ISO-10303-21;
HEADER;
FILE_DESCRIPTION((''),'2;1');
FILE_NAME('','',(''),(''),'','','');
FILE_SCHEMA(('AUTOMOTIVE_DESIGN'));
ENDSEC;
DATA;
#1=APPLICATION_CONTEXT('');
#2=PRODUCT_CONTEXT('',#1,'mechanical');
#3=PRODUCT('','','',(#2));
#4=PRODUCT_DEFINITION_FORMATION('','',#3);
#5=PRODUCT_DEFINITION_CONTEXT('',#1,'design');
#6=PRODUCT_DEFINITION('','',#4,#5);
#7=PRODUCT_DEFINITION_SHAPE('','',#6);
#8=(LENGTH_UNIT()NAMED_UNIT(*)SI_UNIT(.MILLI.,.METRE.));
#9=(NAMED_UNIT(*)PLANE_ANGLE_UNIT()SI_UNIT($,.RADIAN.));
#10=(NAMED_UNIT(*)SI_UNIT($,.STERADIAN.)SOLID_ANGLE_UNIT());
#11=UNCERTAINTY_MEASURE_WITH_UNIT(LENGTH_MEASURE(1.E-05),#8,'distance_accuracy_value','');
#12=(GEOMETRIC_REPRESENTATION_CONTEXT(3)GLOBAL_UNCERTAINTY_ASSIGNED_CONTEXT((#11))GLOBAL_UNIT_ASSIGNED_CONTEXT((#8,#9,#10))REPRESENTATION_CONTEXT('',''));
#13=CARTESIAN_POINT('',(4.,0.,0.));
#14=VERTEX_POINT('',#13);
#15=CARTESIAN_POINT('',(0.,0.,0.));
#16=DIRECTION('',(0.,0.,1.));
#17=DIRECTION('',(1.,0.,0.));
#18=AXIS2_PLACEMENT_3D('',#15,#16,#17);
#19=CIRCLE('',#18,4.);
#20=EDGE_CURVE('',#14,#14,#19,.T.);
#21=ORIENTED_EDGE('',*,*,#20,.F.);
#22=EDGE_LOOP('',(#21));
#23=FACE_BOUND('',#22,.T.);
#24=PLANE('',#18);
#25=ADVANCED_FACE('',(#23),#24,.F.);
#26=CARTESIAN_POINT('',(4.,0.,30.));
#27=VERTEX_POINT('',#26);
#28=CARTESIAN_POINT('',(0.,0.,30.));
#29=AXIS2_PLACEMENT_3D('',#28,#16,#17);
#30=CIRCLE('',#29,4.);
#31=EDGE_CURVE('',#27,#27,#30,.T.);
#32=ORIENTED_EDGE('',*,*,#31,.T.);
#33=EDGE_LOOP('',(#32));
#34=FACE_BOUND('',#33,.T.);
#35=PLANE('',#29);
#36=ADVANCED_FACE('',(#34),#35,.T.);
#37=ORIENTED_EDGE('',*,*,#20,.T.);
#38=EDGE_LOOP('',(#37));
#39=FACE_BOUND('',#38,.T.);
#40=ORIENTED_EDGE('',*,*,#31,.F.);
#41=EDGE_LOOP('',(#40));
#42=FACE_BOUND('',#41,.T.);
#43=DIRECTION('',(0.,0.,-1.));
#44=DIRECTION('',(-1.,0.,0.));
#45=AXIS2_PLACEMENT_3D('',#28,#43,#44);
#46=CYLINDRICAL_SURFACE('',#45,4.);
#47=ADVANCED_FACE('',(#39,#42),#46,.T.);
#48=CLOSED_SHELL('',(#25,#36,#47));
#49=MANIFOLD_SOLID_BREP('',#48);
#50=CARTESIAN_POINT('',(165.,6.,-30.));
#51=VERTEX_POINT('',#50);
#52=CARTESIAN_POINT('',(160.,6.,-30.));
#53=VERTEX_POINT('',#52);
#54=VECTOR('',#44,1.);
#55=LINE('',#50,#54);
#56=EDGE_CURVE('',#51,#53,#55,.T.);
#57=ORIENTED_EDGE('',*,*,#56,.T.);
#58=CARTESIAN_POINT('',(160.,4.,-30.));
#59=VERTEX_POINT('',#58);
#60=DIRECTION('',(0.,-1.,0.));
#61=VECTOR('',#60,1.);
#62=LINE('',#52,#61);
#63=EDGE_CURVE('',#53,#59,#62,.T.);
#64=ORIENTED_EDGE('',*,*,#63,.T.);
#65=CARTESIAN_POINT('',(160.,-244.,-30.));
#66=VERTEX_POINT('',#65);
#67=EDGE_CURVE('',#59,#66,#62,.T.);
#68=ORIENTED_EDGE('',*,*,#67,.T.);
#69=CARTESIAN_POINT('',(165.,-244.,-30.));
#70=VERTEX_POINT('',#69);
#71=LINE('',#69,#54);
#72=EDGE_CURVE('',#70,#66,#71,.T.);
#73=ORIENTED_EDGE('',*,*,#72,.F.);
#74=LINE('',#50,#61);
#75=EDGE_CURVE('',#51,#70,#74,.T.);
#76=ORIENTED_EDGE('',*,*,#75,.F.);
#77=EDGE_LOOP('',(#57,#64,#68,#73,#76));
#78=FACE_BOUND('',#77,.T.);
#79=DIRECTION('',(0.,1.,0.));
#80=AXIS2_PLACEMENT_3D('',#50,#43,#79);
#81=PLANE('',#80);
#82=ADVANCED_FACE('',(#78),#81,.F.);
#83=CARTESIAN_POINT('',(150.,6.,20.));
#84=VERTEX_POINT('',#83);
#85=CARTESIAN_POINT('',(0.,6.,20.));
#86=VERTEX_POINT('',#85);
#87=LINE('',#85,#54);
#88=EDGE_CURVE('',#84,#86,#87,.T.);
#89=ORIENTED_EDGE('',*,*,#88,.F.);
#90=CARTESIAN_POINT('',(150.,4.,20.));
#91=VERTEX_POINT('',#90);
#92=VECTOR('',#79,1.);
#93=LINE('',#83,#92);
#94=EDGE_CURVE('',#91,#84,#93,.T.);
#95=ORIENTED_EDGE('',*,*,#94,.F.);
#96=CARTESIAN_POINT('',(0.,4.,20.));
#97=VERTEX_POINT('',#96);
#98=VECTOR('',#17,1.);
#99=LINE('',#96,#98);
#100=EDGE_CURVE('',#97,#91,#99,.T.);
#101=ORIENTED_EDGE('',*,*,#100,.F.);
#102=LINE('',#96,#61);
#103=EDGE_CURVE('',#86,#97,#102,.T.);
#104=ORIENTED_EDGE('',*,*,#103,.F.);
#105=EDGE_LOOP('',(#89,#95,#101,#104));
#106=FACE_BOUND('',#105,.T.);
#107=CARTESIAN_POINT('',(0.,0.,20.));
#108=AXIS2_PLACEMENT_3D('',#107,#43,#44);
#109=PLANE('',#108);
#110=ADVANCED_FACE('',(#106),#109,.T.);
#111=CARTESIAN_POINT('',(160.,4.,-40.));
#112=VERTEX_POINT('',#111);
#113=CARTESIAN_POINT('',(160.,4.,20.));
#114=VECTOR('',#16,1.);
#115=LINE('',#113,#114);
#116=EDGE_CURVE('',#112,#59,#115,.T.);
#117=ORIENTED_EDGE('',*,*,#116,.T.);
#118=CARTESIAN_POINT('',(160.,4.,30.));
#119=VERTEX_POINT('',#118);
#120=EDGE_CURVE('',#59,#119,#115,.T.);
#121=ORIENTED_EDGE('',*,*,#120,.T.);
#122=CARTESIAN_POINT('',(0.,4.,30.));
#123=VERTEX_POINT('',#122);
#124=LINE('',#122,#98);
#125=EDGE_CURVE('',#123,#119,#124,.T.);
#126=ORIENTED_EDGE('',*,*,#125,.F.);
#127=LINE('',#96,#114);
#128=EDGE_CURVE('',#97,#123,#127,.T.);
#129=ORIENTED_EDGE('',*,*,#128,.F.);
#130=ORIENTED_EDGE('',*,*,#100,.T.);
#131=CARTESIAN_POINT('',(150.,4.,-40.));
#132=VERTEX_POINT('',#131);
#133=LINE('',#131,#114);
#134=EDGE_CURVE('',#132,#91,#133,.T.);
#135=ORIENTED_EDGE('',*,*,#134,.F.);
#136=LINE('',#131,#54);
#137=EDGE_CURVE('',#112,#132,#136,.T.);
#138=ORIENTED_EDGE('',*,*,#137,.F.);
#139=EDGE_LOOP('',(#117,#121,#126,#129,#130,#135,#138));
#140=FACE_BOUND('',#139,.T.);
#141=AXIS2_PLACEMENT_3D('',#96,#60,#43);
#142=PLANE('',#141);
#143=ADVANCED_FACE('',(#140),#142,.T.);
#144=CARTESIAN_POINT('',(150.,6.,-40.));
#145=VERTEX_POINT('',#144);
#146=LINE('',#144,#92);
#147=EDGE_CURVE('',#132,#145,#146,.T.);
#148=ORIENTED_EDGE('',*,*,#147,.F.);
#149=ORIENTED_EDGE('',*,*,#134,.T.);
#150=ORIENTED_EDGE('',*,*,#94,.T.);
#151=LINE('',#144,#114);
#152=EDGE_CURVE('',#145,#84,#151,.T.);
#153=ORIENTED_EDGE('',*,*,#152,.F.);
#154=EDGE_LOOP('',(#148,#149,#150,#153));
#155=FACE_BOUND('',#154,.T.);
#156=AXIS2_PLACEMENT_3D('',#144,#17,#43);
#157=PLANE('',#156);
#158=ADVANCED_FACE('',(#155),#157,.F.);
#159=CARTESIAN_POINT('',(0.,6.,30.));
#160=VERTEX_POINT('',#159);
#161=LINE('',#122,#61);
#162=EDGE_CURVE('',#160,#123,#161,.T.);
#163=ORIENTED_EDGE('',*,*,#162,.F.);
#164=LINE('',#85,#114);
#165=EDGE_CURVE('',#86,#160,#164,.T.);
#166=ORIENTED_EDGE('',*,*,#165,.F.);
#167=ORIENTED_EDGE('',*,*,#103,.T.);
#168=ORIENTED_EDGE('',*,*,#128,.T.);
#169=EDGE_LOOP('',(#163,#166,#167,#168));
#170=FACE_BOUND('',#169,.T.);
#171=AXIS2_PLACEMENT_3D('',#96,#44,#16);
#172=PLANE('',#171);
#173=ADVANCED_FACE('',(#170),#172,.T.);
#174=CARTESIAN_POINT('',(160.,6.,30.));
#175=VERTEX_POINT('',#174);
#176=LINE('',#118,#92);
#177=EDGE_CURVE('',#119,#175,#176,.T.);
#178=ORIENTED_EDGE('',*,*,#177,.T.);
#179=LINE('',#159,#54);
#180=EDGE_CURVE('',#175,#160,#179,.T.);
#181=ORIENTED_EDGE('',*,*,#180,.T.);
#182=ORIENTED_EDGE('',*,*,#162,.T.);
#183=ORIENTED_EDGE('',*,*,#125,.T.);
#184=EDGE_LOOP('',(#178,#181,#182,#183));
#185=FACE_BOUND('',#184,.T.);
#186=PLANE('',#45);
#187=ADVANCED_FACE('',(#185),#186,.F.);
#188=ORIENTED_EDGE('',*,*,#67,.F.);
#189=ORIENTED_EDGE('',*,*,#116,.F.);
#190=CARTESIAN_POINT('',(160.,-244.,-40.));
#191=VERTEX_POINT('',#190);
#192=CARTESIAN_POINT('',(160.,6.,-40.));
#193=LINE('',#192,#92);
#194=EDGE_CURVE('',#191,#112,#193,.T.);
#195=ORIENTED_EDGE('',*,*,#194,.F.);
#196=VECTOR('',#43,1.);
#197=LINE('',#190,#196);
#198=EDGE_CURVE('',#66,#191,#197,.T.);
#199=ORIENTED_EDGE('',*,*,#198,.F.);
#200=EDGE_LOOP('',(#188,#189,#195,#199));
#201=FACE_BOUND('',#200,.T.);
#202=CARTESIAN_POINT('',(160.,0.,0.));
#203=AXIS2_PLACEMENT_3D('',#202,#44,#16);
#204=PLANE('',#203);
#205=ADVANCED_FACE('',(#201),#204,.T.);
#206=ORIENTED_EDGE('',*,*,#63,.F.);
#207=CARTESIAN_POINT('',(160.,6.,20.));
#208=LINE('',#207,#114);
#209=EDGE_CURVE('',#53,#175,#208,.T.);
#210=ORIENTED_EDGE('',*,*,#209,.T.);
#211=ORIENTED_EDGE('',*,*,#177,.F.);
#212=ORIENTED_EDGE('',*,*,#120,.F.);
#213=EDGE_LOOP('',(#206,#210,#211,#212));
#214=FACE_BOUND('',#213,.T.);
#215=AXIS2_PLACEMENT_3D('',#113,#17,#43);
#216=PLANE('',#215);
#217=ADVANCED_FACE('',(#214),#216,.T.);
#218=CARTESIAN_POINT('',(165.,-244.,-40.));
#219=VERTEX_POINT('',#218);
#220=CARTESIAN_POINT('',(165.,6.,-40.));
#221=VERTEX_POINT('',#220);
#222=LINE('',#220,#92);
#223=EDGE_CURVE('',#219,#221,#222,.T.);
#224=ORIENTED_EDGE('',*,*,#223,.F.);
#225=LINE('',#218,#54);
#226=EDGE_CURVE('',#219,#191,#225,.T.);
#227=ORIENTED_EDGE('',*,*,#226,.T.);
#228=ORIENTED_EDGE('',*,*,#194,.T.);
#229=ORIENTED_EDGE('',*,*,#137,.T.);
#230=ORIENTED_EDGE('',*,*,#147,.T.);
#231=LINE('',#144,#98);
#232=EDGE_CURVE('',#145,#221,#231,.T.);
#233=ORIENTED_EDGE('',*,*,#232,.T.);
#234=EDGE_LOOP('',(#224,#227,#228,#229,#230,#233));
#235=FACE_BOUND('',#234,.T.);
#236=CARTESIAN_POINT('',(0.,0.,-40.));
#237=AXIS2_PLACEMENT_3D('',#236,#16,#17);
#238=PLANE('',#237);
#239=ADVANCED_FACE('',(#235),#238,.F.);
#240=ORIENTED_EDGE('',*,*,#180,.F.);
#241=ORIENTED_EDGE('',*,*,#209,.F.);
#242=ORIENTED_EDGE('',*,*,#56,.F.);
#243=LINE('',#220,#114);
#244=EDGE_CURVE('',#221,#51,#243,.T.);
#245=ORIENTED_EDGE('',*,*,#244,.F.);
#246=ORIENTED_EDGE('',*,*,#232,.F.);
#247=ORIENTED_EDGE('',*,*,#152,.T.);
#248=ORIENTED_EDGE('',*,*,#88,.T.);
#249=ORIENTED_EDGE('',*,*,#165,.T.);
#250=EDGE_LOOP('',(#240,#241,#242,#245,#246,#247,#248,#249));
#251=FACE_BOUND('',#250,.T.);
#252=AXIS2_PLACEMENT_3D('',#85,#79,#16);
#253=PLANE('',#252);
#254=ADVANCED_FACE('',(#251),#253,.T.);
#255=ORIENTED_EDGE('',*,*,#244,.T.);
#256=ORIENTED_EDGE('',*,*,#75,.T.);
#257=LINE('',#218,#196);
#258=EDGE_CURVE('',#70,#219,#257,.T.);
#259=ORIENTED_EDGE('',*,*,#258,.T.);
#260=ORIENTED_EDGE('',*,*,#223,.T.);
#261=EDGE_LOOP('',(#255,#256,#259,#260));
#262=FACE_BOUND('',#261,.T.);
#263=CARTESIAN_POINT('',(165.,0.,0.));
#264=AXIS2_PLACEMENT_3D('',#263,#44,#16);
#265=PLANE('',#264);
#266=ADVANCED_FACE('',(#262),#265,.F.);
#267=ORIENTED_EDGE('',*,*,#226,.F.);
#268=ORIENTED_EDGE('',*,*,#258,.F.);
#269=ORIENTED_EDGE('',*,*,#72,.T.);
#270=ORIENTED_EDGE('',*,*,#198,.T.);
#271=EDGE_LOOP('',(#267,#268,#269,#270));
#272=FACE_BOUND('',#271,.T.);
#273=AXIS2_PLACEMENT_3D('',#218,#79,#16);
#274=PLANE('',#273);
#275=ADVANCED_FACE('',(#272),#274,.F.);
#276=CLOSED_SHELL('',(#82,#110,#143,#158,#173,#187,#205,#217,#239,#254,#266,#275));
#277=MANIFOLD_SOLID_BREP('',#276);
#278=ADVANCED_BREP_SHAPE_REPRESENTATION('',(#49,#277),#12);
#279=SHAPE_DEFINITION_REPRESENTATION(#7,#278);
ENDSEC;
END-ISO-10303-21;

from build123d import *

# Parameters (mm, degrees)
SKETCH1_R           = 4
BOSS_EXTRUDE1_DEPTH = 30
SKETCH2_W           = 160
SKETCH2_H           = 2
BOSS_EXTRUDE2_DEPTH = 10
SKETCH3_W           = 10
SKETCH3_H           = 2
BOSS_EXTRUDE3_DEPTH = 60
SKETCH5_W           = 10
SKETCH5_H           = 250
BOSS_EXTRUDE5_DEPTH = 5


with BuildPart() as part:
    # Sketch1 → Boss-Extrude1 (new body)
    with BuildSketch(Plane.XY):
        Circle(SKETCH1_R)
    extrude(amount=BOSS_EXTRUDE1_DEPTH)


with BuildPart() as body_2:
    # Sketch2 → Boss-Extrude2 (new body)
    with BuildSketch(Plane.XY.offset(30)):
        with Locations((80, 5)):
            Rectangle(SKETCH2_W, SKETCH2_H)
    extrude(amount=-BOSS_EXTRUDE2_DEPTH)

    # Sketch3 → Boss-Extrude3 (add)
    with BuildSketch(Plane(origin=(0, 0, 20), x_dir=(-1, 0, 0), z_dir=(0, 0, -1))):
        with Locations((-155, 5)):
            Rectangle(SKETCH3_W, SKETCH3_H)
    extrude(amount=BOSS_EXTRUDE3_DEPTH)

    # Sketch5 → Boss-Extrude5 (add)
    with BuildSketch(Plane(origin=(160, 0, 0), x_dir=(0, 0, -1), z_dir=(1, 0, 0))):
        with Locations((35, -119)):
            Rectangle(SKETCH5_W, SKETCH5_H)
    extrude(amount=BOSS_EXTRUDE5_DEPTH)


solid = Compound([part.part, body_2.part])
